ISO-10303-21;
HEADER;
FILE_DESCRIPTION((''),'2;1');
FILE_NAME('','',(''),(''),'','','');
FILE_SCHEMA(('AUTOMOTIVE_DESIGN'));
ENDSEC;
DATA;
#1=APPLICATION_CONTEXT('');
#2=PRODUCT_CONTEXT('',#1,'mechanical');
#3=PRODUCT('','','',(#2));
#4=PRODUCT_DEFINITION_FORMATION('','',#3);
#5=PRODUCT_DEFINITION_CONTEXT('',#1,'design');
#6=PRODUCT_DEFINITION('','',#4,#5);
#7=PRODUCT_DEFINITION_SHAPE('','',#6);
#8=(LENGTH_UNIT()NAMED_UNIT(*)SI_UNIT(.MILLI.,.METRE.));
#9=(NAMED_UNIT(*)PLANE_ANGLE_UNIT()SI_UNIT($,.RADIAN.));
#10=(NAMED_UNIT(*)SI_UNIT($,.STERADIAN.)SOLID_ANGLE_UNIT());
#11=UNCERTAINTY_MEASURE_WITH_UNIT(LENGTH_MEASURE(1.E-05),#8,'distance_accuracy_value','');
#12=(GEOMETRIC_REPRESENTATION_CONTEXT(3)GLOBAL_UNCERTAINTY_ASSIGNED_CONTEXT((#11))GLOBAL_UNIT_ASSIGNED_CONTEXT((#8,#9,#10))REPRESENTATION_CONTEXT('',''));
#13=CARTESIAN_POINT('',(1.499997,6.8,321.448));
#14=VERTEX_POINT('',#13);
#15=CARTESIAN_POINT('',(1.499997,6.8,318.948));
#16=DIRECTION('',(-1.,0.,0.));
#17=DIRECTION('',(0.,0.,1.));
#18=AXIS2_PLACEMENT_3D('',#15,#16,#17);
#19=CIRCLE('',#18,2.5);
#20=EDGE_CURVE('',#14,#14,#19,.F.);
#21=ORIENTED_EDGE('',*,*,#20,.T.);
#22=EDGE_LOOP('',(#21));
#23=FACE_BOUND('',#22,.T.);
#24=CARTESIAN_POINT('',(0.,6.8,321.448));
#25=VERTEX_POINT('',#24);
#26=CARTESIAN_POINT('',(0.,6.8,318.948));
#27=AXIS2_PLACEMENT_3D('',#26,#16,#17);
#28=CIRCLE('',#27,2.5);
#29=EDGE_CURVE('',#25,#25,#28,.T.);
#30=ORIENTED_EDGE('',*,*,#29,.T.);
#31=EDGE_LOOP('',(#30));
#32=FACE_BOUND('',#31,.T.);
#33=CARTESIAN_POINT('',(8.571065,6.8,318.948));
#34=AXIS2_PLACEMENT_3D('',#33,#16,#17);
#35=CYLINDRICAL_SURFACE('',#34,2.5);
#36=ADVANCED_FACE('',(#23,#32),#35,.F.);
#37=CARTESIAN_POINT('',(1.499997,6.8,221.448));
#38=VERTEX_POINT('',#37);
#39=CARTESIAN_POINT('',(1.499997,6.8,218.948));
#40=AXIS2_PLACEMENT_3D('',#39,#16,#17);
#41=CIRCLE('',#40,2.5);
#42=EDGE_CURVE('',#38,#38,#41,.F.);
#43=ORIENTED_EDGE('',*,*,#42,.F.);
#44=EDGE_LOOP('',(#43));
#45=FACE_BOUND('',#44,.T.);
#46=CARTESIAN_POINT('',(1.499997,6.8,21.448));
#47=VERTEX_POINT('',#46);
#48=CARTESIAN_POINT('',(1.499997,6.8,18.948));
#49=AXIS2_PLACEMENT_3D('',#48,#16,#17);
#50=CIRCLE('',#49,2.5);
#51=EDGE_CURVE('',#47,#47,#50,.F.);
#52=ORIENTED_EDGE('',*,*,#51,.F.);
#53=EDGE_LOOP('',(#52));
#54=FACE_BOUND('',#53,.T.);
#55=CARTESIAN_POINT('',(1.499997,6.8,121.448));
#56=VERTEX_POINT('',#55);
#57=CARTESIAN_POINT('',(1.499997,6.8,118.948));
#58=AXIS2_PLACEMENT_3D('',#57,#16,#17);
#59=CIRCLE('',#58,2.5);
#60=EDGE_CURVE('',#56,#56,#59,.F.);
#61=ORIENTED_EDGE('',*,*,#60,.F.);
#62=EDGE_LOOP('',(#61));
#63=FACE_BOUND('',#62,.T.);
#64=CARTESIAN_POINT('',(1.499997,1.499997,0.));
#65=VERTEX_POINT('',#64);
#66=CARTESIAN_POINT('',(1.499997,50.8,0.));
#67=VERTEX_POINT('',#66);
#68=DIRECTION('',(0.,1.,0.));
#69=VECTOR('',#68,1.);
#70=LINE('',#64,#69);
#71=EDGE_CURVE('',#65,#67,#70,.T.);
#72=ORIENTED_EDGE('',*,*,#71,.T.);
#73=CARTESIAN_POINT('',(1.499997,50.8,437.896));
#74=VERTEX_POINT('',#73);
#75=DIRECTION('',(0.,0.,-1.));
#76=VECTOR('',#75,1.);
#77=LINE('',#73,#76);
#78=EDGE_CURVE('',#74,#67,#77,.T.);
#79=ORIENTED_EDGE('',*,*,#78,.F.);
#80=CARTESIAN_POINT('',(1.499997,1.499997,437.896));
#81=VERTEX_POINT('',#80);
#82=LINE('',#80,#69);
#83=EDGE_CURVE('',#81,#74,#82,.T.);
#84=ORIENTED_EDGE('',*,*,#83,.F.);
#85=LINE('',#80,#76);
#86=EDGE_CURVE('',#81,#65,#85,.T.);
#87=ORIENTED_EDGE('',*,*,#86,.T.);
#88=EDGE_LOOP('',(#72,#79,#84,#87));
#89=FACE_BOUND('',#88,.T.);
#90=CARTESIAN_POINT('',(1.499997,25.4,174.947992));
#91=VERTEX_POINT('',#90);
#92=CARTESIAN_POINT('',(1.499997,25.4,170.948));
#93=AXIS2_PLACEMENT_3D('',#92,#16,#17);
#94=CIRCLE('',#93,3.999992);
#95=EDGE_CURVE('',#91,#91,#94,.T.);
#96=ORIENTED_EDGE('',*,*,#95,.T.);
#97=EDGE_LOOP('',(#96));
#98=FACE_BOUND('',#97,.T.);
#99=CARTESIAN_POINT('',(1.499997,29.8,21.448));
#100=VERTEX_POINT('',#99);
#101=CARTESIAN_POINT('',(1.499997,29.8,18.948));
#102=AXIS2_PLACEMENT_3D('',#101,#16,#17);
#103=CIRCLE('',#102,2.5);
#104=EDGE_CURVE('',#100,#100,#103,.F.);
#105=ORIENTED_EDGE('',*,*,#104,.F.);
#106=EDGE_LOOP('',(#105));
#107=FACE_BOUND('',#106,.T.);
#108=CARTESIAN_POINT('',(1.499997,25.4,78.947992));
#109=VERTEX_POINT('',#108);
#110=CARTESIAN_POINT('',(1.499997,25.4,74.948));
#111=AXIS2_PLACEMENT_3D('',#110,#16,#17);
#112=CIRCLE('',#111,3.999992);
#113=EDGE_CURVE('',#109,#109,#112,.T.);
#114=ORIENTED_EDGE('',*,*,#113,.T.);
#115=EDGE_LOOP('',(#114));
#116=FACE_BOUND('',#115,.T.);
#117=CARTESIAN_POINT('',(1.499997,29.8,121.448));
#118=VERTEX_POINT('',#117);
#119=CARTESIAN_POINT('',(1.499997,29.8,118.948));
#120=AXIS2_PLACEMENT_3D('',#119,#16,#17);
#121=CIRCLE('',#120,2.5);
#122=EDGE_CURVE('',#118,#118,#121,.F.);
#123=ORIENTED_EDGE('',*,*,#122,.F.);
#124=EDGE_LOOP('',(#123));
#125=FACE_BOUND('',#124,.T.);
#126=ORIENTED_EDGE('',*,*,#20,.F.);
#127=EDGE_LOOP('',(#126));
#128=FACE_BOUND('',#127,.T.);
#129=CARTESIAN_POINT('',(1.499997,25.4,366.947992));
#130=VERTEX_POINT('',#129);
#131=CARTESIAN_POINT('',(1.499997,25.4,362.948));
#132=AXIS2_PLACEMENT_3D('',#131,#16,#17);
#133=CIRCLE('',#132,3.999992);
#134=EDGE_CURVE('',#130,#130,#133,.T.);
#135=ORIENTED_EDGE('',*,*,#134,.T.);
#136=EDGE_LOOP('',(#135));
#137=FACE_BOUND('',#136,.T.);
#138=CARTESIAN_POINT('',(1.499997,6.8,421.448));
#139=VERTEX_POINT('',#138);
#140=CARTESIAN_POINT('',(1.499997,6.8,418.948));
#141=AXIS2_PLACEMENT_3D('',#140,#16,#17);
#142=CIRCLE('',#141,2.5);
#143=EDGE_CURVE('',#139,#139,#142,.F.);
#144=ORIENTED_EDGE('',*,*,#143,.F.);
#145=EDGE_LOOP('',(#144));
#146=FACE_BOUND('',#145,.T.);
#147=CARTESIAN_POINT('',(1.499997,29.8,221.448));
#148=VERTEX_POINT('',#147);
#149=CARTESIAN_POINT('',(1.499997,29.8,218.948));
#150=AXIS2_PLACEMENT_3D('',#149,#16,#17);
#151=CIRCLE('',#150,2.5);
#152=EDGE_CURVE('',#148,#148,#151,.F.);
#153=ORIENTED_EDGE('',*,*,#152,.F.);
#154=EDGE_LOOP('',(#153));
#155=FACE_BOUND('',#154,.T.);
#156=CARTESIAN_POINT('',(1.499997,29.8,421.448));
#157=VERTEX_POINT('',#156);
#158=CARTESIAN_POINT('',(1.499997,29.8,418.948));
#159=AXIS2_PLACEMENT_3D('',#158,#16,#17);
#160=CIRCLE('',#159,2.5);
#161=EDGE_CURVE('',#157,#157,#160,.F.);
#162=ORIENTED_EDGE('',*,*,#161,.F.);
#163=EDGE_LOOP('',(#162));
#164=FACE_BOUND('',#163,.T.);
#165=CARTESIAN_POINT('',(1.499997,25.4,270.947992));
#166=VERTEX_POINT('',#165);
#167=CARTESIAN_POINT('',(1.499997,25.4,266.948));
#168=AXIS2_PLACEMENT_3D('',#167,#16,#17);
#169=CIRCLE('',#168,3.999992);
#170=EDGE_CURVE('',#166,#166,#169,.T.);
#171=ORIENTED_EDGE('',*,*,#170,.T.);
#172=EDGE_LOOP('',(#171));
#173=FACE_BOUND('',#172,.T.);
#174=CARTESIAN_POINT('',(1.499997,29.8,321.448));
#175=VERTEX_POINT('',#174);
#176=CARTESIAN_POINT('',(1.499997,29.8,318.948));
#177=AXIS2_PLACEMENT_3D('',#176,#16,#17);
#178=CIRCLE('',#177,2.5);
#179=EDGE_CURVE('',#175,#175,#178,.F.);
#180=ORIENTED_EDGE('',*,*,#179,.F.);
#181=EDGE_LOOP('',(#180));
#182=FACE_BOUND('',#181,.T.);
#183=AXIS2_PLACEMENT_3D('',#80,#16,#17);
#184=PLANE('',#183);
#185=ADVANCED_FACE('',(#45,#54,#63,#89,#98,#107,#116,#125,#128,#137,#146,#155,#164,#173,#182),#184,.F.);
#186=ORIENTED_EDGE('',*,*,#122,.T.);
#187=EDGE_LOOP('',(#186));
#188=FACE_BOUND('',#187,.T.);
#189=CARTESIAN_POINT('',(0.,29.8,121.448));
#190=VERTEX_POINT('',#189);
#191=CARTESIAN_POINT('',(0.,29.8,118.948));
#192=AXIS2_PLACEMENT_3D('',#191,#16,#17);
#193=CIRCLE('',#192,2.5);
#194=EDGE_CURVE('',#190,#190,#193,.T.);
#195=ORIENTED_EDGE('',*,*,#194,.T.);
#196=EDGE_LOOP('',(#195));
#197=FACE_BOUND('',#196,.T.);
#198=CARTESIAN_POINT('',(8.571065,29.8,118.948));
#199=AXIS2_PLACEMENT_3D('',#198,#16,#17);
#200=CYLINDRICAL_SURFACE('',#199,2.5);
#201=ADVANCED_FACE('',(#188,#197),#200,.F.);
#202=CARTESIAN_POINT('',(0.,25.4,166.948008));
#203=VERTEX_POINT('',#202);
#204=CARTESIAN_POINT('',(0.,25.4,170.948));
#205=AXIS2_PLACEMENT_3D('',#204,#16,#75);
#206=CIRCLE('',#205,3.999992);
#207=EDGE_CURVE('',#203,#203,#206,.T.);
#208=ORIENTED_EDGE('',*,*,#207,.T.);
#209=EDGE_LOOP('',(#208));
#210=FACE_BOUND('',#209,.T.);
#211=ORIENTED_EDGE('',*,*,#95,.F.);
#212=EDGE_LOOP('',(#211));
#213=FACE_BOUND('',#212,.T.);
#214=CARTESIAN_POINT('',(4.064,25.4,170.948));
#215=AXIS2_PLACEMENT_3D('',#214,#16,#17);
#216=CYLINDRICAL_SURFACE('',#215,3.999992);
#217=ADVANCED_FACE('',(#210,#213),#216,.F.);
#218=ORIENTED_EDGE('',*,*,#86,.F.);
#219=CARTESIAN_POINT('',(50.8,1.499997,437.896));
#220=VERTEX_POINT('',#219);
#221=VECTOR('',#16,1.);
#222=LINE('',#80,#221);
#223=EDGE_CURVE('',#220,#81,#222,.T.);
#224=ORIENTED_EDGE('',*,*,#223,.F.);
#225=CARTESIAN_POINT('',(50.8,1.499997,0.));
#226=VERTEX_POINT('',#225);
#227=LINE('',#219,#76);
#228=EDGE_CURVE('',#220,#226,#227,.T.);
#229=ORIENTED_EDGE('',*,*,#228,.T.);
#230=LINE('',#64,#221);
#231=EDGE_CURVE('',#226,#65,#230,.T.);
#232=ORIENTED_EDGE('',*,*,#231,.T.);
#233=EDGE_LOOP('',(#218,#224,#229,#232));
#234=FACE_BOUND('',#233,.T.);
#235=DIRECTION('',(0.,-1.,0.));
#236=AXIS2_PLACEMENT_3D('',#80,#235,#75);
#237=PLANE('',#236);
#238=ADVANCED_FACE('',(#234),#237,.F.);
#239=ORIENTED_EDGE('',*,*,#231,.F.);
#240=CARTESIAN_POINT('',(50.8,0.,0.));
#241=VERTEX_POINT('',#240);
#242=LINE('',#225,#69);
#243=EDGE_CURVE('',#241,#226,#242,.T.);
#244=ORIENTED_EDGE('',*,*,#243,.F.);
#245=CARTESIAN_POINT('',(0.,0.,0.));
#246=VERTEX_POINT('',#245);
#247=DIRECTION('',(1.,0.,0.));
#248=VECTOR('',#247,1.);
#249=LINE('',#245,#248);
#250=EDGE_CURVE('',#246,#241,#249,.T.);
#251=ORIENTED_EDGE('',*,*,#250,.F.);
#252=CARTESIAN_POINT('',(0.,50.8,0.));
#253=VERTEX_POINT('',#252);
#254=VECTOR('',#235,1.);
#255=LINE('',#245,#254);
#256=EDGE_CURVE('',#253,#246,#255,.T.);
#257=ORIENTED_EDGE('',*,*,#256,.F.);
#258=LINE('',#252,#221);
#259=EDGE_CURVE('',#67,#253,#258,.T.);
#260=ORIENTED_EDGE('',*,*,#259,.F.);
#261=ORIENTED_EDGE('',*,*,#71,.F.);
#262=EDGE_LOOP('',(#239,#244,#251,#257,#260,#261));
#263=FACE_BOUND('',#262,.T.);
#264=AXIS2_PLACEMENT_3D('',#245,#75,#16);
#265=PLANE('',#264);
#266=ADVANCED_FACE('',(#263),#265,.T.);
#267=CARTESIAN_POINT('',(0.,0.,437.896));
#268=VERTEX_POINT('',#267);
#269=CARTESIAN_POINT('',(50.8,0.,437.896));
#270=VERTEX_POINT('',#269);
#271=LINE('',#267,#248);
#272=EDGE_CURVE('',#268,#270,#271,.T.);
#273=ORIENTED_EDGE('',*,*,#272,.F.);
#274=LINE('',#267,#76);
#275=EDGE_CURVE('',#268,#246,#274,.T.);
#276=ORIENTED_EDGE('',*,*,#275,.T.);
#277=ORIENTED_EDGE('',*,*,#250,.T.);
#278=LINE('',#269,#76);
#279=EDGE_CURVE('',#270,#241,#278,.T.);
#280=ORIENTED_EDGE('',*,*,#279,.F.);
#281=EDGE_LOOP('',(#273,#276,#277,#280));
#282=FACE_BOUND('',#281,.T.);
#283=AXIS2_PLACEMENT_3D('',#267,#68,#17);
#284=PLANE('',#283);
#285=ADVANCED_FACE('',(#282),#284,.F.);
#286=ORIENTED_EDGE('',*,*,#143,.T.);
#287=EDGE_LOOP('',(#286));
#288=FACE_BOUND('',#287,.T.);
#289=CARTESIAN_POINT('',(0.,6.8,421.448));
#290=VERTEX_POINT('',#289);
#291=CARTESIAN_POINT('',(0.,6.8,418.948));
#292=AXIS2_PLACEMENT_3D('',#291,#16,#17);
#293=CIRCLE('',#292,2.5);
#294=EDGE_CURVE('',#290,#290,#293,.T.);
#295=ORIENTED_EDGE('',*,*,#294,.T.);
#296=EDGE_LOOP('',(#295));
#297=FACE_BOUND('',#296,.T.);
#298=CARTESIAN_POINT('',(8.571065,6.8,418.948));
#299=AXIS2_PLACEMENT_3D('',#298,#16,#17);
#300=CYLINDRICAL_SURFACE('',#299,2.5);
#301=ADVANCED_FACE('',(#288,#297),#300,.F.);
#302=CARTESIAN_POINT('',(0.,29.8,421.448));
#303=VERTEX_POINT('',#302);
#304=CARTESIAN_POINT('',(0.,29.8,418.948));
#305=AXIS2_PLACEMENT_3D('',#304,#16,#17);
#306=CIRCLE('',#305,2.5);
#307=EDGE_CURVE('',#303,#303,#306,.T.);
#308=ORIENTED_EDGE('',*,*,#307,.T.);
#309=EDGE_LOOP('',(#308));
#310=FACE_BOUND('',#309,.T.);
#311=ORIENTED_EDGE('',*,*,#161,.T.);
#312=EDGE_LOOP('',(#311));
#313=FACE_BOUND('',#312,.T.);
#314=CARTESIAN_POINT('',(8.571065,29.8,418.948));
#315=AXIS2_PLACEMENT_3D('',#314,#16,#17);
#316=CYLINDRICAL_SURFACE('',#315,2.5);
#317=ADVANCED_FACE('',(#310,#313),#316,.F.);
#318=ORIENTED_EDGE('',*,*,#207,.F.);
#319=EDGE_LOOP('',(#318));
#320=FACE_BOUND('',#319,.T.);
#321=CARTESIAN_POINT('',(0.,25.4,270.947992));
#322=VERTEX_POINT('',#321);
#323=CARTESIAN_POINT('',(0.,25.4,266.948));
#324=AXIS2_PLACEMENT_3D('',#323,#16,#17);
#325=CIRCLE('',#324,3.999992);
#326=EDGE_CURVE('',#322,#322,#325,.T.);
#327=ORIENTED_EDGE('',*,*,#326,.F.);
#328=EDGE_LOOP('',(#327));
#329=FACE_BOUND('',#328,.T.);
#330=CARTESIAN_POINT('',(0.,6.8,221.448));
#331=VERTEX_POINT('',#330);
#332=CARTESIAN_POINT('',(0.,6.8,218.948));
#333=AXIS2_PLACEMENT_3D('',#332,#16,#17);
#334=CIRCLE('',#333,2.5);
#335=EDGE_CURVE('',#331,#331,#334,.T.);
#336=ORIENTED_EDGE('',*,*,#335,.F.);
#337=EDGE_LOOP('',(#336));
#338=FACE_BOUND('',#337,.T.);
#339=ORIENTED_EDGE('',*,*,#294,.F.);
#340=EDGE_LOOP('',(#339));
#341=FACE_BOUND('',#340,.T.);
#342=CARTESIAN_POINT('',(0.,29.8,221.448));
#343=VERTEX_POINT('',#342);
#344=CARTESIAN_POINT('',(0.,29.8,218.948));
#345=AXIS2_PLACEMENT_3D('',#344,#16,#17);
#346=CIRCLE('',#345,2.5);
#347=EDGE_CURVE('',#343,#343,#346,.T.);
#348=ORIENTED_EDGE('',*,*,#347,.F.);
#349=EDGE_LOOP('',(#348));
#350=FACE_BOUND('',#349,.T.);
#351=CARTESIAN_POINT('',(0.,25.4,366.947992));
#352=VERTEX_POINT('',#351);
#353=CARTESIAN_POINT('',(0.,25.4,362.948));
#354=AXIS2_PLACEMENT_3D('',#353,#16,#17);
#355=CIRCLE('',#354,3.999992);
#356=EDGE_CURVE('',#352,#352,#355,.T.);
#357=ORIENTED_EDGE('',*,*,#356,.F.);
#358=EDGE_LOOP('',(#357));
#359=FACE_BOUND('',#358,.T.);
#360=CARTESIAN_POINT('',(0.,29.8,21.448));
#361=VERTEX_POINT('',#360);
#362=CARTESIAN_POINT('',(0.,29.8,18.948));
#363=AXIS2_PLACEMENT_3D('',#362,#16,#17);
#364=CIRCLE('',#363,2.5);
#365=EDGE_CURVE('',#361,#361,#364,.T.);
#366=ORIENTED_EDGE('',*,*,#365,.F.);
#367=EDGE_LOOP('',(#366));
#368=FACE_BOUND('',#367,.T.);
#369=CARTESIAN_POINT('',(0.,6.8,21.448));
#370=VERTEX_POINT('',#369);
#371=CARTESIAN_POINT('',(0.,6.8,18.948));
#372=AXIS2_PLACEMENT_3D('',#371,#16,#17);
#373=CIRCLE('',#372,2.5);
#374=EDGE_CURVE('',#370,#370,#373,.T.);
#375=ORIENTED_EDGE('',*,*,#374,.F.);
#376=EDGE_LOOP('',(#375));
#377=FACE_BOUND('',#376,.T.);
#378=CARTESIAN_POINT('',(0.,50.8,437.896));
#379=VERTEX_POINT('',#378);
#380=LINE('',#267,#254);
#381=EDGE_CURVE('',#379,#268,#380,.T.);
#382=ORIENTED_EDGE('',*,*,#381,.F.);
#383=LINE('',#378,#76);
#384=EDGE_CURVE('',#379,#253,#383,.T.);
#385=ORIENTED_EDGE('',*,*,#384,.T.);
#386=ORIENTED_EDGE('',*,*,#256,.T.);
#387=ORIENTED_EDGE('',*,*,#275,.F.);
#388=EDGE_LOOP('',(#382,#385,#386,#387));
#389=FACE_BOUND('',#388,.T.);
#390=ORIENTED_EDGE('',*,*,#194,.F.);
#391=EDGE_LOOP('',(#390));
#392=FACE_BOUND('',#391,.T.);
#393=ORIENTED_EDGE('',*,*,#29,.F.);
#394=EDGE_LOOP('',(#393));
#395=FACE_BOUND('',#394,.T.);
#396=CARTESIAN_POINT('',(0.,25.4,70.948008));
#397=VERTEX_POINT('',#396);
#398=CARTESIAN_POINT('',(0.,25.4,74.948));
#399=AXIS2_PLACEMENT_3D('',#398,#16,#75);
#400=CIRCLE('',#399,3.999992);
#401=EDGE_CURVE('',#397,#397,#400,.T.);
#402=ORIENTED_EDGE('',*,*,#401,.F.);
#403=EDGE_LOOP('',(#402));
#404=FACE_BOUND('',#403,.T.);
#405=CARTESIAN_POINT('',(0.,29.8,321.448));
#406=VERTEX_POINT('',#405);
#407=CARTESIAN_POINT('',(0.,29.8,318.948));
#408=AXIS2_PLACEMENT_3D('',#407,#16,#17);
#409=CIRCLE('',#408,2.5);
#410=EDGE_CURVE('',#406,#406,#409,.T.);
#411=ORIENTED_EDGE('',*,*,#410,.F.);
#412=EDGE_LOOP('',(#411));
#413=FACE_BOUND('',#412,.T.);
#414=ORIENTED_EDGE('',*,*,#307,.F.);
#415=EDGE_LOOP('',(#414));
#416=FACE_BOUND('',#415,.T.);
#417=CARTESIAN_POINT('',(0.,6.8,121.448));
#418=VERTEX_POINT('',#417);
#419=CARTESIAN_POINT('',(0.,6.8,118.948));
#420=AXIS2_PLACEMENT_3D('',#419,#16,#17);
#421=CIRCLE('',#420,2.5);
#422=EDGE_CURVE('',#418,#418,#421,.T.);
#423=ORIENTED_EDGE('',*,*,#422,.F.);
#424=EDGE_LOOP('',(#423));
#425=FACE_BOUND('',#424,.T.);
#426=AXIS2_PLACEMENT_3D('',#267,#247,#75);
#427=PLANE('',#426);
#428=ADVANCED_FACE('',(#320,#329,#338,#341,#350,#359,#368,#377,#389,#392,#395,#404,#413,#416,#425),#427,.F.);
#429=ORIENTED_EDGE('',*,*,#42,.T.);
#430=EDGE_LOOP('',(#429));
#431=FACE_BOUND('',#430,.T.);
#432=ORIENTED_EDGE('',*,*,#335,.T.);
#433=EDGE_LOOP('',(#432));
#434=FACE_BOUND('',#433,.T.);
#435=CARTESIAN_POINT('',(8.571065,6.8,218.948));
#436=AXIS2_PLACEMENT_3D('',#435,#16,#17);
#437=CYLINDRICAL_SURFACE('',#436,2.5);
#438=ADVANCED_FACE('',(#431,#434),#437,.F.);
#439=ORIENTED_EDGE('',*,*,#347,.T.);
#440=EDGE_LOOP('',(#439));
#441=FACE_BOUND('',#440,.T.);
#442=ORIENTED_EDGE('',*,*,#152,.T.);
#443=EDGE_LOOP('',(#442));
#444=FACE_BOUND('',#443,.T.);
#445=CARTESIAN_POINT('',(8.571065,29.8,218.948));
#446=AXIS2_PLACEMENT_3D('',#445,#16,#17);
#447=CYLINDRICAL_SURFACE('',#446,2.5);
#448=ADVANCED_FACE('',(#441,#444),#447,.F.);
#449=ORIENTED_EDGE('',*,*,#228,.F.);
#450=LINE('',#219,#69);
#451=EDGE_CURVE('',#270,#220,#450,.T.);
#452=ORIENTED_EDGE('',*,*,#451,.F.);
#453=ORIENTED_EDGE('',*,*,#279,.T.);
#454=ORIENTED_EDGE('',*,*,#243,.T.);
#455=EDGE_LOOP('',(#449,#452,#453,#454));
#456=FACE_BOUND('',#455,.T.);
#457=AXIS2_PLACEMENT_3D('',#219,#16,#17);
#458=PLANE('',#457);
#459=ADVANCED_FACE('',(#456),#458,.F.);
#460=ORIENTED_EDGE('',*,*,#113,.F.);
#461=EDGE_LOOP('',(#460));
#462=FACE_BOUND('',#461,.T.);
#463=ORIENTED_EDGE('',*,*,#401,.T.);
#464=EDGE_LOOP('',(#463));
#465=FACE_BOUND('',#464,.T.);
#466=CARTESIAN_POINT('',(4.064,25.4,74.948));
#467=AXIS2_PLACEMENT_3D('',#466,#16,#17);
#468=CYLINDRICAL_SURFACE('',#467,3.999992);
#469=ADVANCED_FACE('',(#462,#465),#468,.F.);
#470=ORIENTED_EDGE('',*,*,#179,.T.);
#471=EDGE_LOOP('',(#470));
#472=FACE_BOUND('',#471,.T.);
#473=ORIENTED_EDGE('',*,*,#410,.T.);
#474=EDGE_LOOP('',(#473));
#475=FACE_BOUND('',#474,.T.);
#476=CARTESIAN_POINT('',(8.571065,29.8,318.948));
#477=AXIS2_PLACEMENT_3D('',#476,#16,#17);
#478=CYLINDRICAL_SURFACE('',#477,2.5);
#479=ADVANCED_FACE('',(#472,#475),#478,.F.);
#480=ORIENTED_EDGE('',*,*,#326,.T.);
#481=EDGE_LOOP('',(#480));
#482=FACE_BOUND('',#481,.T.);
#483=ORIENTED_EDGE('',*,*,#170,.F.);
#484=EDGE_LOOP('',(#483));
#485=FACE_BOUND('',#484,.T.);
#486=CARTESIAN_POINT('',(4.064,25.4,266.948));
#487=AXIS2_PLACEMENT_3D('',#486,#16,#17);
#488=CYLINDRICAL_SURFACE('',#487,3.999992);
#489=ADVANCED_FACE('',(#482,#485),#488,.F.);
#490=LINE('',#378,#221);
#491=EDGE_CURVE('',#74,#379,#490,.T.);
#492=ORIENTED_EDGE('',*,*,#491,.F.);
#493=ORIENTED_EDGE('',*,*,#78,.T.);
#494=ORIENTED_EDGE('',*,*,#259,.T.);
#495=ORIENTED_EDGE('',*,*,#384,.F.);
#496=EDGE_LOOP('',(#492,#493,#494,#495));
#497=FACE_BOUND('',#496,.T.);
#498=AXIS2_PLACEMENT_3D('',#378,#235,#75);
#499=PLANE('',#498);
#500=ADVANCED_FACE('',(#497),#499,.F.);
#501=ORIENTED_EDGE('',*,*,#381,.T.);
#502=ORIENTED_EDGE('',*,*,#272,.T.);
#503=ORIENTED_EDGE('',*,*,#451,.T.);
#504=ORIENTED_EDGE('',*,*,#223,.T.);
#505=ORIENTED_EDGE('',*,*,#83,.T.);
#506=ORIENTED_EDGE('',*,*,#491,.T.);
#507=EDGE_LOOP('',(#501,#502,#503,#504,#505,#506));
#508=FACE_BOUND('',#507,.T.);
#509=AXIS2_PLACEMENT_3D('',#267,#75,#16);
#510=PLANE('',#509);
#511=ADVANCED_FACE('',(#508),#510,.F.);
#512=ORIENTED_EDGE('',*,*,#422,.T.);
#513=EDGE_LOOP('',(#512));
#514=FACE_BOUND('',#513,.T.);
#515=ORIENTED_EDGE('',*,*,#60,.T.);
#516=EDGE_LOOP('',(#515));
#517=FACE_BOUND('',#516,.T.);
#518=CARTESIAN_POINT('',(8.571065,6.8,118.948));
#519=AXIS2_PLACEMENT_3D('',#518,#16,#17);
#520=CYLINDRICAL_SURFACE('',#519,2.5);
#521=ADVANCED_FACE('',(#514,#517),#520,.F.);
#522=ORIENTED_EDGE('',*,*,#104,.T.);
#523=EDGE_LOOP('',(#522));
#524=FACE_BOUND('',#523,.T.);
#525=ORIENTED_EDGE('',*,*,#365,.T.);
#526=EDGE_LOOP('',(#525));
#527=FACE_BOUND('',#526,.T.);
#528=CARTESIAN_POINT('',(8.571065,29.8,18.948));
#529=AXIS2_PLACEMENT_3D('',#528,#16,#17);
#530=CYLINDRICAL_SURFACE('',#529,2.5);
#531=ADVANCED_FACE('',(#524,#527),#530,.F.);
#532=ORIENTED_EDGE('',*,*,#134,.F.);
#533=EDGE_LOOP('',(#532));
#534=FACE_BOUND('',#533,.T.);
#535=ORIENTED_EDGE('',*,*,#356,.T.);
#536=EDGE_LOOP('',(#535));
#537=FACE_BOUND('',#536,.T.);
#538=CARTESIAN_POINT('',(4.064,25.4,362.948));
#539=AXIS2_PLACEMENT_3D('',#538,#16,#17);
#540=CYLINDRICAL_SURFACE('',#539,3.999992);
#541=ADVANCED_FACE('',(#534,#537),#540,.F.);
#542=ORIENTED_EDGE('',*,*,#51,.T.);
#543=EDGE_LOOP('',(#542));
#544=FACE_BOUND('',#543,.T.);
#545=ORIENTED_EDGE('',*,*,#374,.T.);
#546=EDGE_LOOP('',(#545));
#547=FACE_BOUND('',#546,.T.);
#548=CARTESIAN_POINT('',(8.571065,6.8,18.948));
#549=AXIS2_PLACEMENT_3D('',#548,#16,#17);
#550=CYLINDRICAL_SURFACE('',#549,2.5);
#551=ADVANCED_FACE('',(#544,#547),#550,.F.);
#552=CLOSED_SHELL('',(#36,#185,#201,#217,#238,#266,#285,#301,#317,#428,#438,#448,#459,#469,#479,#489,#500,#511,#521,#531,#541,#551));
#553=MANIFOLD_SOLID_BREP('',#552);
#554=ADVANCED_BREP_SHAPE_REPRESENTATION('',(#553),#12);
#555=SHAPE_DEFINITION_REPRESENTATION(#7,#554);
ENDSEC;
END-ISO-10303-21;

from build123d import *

# Parameters (mm, degrees)
SALIENTE_EXTRUIR1_DEPTH = 437.896
CROQUIS2_R              = 3.999992
CORTAR_EXTRUIR1_DEPTH   = 4.064
CROQUIS3_R              = 2.5
CORTAR_EXTRUIR2_DEPTH   = 1.499997


with BuildPart() as part:
    # Croquis1 → Saliente-Extruir1 (new body)
    with BuildSketch(Plane.XY):
        Polygon((0, 0), (0, 50.8), (1.499997, 50.8), (1.499997, 1.499997), (50.8, 1.499997), (50.8, 0), align=None)
    extrude(amount=SALIENTE_EXTRUIR1_DEPTH)

    # Croquis2 → Cortar-Extruir1 (cut)
    with BuildSketch(Plane.ZY):
        with Locations((266.948, 25.4)):
            Circle(CROQUIS2_R)
        with Locations((362.948, 25.4)):
            Circle(CROQUIS2_R)
        with Locations((74.948, 25.4)):
            Circle(CROQUIS2_R)
        with Locations((170.948, 25.4)):
            Circle(CROQUIS2_R)
    extrude(amount=-CORTAR_EXTRUIR1_DEPTH, mode=Mode.SUBTRACT)

    # Croquis3 → Cortar-Extruir2 (cut)
    with BuildSketch(Plane.ZY):
        with Locations((18.948, 29.8)):
            Circle(CROQUIS3_R)
        with Locations((118.948, 29.8)):
            Circle(CROQUIS3_R)
        with Locations((218.948, 29.8)):
            Circle(CROQUIS3_R)
        with Locations((318.948, 29.8)):
            Circle(CROQUIS3_R)
        with Locations((418.948, 29.8)):
            Circle(CROQUIS3_R)
        with Locations((18.948, 6.8)):
            Circle(CROQUIS3_R)
        with Locations((218.948, 6.8)):
            Circle(CROQUIS3_R)
        with Locations((118.948, 6.8)):
            Circle(CROQUIS3_R)
        with Locations((318.948, 6.8)):
            Circle(CROQUIS3_R)
        with Locations((418.948, 6.8)):
            Circle(CROQUIS3_R)
    extrude(amount=-CORTAR_EXTRUIR2_DEPTH, mode=Mode.SUBTRACT)


solid = part.part
